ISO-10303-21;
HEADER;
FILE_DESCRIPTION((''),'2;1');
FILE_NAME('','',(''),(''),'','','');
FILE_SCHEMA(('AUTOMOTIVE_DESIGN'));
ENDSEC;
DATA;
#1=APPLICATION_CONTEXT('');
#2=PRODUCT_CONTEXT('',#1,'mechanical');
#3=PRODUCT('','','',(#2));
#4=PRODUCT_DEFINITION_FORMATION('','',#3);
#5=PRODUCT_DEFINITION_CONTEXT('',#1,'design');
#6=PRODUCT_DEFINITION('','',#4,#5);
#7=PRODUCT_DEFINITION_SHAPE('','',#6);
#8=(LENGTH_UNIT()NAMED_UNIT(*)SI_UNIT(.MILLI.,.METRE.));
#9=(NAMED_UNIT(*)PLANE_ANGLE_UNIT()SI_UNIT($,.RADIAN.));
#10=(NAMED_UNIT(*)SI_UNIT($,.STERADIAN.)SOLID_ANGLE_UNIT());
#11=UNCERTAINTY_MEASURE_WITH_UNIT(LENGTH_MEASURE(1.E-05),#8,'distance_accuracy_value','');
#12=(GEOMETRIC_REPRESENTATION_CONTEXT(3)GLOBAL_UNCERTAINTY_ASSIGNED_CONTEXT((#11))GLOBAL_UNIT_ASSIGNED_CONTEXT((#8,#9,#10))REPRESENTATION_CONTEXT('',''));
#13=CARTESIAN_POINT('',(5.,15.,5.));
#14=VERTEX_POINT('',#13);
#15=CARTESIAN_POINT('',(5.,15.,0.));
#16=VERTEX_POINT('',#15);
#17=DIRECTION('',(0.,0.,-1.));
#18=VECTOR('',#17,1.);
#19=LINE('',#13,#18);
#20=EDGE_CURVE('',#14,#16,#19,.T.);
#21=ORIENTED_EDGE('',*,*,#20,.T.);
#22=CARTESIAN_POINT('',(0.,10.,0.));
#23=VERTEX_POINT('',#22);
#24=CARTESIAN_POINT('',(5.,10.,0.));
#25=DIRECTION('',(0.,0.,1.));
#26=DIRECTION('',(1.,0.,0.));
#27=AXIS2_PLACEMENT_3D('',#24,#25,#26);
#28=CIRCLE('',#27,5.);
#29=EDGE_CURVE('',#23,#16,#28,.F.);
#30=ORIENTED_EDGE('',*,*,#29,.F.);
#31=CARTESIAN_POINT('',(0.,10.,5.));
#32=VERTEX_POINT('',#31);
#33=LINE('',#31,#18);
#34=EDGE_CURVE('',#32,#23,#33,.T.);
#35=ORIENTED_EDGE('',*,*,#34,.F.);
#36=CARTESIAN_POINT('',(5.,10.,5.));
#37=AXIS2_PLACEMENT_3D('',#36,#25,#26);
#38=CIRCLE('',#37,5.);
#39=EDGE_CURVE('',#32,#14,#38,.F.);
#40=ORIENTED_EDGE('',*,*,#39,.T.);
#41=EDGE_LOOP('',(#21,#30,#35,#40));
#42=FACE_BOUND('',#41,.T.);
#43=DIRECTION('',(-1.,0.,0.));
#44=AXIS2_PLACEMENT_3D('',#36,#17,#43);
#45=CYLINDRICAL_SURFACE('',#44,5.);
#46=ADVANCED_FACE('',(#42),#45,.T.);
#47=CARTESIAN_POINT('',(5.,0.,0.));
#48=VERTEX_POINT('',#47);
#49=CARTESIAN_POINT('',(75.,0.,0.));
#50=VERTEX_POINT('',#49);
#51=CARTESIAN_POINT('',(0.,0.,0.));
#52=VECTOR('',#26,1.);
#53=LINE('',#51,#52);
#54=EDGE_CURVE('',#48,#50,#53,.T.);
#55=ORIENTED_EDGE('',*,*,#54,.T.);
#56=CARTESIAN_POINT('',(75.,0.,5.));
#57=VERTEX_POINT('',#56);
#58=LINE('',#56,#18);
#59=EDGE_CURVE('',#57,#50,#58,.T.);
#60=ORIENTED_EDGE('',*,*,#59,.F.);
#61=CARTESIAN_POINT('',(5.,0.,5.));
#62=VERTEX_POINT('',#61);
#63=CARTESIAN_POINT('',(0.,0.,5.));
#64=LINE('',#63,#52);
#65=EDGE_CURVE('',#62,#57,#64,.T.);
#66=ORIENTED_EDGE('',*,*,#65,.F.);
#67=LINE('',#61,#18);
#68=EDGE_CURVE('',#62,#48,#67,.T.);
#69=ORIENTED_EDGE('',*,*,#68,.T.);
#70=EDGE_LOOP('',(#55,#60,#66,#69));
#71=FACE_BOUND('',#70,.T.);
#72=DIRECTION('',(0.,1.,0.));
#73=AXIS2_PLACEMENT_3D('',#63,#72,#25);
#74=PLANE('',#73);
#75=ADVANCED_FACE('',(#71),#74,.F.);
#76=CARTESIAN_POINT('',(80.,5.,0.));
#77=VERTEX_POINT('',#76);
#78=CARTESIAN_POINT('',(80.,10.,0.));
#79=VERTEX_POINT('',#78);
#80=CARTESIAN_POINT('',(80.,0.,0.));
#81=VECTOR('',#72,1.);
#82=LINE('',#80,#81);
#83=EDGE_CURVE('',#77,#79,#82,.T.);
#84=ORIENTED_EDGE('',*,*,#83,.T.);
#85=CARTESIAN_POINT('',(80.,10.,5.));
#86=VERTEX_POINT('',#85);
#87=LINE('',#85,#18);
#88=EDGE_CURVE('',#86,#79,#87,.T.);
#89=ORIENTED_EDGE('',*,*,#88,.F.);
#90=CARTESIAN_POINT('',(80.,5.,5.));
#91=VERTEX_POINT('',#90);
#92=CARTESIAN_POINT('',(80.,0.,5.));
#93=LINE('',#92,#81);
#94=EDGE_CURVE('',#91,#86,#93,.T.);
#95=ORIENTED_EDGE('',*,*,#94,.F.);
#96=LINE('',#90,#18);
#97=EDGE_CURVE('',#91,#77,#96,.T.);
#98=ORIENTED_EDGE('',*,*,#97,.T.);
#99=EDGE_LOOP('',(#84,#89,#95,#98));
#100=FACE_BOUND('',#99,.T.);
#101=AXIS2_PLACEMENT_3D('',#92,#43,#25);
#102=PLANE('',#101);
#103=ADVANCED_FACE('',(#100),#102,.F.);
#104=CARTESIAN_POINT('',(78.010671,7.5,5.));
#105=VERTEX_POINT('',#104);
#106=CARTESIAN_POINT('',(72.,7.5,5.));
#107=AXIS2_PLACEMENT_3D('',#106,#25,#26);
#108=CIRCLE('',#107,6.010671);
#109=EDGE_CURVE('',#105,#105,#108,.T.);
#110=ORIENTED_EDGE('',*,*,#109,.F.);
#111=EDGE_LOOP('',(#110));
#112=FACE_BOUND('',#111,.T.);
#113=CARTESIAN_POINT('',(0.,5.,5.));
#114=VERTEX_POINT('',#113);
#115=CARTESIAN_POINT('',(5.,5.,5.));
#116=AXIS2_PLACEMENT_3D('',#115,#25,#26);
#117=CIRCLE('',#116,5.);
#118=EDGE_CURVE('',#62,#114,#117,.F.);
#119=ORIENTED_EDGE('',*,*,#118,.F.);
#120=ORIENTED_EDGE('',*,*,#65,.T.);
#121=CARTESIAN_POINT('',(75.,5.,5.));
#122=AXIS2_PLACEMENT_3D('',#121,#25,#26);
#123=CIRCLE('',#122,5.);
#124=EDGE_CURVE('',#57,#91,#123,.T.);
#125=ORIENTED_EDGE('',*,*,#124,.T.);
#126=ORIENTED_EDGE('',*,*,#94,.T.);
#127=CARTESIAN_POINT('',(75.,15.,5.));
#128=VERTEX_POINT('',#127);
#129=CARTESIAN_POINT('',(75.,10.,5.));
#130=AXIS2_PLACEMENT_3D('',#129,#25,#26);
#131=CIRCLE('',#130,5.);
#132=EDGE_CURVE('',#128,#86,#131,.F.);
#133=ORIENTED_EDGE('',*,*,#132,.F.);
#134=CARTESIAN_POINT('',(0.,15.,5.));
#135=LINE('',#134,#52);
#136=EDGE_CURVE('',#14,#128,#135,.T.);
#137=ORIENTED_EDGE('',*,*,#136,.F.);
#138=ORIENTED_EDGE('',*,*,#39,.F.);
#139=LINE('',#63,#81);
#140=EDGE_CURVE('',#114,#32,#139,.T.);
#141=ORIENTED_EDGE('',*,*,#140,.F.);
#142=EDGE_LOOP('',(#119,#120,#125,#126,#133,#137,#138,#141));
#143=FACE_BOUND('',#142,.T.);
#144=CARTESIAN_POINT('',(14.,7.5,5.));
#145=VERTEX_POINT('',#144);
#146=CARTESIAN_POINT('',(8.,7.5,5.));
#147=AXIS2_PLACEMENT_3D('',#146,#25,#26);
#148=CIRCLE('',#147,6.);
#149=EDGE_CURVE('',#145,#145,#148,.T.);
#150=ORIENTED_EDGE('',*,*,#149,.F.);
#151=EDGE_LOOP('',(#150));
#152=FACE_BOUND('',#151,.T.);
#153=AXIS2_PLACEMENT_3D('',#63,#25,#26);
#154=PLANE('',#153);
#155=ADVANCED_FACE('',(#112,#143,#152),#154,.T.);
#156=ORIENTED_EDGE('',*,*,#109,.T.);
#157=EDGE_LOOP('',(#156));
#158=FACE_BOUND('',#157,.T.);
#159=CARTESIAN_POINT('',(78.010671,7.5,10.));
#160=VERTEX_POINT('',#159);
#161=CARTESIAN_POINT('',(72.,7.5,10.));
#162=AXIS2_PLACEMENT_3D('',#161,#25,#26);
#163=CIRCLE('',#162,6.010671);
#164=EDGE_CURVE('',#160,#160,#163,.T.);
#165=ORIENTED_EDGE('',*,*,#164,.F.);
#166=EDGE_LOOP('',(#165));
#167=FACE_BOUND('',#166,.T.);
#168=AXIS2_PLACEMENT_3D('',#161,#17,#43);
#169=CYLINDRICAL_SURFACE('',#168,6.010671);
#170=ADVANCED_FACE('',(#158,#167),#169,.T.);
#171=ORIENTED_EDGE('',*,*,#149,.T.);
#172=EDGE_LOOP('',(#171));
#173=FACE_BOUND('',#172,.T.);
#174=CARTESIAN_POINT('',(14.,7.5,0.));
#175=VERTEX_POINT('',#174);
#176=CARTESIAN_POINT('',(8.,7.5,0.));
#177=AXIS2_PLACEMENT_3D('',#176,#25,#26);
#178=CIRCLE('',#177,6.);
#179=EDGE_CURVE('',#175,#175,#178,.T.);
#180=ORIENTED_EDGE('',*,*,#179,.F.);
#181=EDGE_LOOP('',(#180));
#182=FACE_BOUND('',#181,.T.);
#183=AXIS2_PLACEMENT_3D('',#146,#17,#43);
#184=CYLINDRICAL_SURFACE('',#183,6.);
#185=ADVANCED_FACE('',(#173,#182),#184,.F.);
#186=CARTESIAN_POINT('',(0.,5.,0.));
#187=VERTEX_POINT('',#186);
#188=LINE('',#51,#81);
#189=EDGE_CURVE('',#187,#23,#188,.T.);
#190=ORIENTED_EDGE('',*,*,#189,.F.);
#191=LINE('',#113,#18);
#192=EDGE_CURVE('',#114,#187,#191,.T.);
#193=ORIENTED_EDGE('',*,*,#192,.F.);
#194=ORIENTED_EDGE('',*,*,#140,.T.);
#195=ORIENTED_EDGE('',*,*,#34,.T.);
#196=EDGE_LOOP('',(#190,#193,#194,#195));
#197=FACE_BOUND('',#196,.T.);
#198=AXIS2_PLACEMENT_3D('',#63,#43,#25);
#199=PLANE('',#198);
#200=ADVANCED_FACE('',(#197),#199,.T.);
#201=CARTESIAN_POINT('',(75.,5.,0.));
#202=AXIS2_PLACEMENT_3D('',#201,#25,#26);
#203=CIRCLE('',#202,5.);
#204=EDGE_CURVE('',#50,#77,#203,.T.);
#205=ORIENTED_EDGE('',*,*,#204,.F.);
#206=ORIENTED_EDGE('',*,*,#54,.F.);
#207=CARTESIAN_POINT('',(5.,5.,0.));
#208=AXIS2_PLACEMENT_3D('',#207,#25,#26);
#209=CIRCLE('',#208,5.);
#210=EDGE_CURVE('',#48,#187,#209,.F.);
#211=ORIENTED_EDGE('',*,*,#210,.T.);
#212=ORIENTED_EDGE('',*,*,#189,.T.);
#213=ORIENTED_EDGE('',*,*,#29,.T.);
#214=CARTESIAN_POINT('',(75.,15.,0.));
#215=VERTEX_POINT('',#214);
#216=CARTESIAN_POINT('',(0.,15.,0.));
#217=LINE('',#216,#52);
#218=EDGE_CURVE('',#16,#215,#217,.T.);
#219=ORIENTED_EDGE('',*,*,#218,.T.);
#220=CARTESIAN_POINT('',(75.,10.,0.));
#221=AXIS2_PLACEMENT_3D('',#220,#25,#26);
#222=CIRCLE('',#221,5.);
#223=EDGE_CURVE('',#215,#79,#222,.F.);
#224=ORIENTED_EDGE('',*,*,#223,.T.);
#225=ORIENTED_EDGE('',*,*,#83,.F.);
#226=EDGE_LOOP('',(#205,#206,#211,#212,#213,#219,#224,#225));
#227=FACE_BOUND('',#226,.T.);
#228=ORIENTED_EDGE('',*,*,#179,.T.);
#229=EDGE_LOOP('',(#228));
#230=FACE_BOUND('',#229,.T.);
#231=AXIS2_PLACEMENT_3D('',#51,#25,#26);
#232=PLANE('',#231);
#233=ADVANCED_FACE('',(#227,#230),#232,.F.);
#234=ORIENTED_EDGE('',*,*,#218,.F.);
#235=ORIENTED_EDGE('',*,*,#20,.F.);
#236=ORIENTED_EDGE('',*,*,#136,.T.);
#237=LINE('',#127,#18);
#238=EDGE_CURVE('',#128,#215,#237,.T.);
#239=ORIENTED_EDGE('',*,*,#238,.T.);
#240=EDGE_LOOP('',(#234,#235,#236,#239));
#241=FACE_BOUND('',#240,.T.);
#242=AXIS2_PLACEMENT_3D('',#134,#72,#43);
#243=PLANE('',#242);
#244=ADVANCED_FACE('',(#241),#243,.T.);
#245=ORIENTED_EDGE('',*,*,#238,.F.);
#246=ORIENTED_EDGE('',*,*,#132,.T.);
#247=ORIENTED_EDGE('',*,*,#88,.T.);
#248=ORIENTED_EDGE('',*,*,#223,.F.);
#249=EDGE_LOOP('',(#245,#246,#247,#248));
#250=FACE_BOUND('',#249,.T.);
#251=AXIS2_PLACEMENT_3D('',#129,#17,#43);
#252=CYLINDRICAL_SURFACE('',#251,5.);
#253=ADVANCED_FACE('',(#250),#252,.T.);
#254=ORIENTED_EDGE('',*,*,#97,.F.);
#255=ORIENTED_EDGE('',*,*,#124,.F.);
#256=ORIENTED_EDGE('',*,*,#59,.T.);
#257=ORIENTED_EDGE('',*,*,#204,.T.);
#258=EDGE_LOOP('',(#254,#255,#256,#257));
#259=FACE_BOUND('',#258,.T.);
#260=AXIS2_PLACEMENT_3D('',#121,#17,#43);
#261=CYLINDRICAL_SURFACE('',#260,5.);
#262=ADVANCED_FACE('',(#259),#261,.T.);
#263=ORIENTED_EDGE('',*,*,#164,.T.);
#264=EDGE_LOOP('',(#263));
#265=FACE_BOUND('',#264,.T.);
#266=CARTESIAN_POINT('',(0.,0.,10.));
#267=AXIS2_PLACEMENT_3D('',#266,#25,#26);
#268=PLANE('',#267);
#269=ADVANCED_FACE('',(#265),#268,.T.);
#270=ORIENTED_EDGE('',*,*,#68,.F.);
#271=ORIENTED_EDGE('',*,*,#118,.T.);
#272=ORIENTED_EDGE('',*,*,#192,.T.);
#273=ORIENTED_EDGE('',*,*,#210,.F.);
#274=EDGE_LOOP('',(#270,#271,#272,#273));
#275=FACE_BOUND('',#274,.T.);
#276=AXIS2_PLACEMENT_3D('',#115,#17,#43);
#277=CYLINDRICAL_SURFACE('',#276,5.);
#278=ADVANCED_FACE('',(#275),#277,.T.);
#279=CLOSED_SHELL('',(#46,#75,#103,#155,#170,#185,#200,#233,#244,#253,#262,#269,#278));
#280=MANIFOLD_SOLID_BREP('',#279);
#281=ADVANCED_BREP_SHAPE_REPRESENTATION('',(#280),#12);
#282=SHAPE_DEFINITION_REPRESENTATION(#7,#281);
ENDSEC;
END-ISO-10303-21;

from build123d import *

# Parameters (mm, degrees)
SKETCH_1_R      = 6.010671136
SKETCH_1_R_2    = 6
EXTRUDE_1_DEPTH = 5
SKETCH_1_3_R    = 6.010671136
EXTRUDE_2_DEPTH = 10


with BuildPart() as part:
    # 草图1 → 凸台-拉伸1 (new body)
    with BuildSketch(Plane.XY):
        with BuildLine():
            Line((75, 15), (5, 15))
            ThreePointArc((5, 15), (1.464466094, 13.535533906), (0, 10))
            Line((0, 10), (0, 5))
            ThreePointArc((0, 5), (1.464466094, 1.464466094), (5, 0))
            Line((5, 0), (75, 0))
            ThreePointArc((75, 0), (78.535533906, 1.464466094), (80, 5))
            Line((80, 5), (80, 10))
            ThreePointArc((80, 10), (78.535533906, 13.535533906), (75, 15))
        make_face()
        with Locations((72, 7.5)):
            Circle(SKETCH_1_R, mode=Mode.SUBTRACT)
        with Locations((8, 7.5)):
            Circle(SKETCH_1_R_2, mode=Mode.SUBTRACT)
    extrude(amount=EXTRUDE_1_DEPTH)

    # 草图1<3> → 凸台-拉伸2 (add)
    with BuildSketch(Plane.XY):
        with Locations((72, 7.5)):
            Circle(SKETCH_1_3_R)
    extrude(amount=EXTRUDE_2_DEPTH)


solid = part.part
